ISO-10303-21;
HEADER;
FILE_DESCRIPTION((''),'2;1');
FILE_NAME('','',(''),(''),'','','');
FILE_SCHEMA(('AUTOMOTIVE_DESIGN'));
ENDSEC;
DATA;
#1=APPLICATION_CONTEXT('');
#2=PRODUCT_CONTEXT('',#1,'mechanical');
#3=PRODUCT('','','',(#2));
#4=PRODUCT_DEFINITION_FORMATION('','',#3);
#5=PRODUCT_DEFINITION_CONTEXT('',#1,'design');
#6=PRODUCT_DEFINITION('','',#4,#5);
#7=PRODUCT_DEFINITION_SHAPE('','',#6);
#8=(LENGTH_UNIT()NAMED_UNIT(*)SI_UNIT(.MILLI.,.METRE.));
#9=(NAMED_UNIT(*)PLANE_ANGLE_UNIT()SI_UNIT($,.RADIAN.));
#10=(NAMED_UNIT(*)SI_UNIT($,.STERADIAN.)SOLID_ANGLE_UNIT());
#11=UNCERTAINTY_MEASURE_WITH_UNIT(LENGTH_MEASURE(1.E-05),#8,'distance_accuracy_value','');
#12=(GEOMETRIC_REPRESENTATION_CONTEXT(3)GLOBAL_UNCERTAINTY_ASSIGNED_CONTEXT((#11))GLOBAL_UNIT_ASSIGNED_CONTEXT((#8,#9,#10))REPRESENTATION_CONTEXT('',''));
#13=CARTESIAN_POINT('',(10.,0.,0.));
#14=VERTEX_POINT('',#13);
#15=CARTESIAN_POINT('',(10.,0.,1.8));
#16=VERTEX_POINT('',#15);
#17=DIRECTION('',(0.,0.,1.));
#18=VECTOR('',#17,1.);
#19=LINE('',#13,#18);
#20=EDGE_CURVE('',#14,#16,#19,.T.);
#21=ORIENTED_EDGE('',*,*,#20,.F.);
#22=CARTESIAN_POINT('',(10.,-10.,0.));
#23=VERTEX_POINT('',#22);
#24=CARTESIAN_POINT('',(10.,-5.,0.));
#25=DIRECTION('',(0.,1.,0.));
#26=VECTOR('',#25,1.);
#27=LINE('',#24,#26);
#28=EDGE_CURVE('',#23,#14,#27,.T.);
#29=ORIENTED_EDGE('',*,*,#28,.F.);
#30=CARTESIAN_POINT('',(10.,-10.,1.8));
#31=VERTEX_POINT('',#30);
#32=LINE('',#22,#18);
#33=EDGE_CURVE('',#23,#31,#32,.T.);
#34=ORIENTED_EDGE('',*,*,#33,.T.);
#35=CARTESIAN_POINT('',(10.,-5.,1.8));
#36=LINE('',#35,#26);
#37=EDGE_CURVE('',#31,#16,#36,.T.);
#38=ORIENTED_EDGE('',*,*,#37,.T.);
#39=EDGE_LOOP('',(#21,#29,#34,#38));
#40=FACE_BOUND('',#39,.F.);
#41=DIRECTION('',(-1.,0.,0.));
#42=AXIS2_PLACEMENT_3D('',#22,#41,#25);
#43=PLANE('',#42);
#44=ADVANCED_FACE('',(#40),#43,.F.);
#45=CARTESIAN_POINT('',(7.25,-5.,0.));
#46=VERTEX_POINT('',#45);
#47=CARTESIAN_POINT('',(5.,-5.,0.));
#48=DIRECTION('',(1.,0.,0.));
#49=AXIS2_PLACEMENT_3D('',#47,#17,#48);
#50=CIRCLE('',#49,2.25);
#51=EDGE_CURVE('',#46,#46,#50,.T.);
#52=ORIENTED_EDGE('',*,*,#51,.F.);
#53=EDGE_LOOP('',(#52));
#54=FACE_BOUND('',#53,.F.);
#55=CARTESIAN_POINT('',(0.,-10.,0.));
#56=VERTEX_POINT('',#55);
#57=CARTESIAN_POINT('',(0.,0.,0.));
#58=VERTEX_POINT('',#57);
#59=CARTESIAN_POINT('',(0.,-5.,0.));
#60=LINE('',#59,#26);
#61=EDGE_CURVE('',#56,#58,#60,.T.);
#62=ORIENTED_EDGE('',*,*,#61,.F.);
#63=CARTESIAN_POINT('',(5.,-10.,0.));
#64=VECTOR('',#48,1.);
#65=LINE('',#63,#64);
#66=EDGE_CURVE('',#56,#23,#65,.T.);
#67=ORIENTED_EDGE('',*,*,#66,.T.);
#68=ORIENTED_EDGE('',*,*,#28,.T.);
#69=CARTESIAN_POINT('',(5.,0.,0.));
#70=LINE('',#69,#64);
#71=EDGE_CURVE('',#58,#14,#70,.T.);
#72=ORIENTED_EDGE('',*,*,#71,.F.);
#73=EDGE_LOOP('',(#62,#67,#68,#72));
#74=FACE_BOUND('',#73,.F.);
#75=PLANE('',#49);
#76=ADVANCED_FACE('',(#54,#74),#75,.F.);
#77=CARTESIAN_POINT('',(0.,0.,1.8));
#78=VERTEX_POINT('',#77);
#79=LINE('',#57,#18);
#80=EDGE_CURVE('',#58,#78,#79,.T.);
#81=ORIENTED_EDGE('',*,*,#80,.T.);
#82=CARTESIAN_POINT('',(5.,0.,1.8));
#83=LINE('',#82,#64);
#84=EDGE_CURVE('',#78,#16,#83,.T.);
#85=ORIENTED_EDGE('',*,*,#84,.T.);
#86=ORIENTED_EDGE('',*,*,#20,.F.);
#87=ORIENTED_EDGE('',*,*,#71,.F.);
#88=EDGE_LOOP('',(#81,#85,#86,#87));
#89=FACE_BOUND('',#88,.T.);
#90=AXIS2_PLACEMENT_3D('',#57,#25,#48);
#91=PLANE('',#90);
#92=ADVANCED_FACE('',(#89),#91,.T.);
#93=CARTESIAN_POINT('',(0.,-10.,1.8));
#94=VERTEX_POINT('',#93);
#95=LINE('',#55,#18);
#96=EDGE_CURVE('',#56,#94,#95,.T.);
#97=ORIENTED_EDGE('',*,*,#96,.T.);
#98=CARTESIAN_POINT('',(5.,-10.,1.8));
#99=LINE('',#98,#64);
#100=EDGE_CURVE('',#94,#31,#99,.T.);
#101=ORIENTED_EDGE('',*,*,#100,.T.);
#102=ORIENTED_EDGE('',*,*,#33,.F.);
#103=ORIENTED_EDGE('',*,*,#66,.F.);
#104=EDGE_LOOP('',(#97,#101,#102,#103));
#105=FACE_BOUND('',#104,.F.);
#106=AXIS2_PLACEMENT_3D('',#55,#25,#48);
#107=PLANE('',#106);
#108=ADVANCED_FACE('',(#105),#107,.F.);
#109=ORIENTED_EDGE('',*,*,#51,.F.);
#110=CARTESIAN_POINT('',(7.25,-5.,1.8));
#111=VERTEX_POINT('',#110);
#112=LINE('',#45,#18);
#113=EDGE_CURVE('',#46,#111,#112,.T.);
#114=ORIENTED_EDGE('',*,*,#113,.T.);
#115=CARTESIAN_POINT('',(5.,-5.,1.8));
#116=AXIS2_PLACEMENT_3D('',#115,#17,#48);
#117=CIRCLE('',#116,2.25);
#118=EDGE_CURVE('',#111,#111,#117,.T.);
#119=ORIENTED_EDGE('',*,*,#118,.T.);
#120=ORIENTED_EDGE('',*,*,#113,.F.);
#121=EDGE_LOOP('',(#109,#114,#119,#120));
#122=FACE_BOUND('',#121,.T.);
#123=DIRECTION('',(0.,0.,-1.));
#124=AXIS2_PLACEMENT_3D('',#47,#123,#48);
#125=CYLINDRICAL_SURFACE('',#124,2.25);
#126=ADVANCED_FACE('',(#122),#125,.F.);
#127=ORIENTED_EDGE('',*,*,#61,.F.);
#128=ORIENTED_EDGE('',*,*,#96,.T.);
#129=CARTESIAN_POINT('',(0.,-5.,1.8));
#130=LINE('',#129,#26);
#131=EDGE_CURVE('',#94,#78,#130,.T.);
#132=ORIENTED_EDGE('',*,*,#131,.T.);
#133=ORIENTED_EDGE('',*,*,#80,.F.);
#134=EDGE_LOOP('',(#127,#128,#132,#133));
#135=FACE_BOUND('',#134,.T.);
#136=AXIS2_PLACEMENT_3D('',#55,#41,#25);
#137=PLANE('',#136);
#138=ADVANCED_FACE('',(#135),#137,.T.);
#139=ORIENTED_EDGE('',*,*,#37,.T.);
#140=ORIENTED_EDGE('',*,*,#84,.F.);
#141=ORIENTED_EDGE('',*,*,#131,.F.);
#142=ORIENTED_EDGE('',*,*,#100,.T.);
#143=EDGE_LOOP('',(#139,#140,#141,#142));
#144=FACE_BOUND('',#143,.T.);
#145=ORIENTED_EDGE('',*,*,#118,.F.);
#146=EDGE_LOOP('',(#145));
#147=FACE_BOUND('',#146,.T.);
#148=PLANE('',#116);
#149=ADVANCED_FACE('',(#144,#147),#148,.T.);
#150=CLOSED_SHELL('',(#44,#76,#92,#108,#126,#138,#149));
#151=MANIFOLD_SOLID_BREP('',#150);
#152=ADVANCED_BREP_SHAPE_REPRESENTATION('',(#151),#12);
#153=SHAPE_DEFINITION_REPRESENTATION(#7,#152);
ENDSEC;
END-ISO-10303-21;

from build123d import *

# Parameters (mm, degrees)
SKETCH_W  = 10
SKETCH_H  = 10
SKETCH_R  = 2.25
PAD_DEPTH = 1.8


with BuildPart() as part:
    # Sketch → Pad (new body)
    with BuildSketch(Plane.XY):
        with Locations((5, -5)):
            Rectangle(SKETCH_W, SKETCH_H)
        with Locations((5, -5)):
            Circle(SKETCH_R, mode=Mode.SUBTRACT)
    extrude(amount=PAD_DEPTH)


solid = part.part
